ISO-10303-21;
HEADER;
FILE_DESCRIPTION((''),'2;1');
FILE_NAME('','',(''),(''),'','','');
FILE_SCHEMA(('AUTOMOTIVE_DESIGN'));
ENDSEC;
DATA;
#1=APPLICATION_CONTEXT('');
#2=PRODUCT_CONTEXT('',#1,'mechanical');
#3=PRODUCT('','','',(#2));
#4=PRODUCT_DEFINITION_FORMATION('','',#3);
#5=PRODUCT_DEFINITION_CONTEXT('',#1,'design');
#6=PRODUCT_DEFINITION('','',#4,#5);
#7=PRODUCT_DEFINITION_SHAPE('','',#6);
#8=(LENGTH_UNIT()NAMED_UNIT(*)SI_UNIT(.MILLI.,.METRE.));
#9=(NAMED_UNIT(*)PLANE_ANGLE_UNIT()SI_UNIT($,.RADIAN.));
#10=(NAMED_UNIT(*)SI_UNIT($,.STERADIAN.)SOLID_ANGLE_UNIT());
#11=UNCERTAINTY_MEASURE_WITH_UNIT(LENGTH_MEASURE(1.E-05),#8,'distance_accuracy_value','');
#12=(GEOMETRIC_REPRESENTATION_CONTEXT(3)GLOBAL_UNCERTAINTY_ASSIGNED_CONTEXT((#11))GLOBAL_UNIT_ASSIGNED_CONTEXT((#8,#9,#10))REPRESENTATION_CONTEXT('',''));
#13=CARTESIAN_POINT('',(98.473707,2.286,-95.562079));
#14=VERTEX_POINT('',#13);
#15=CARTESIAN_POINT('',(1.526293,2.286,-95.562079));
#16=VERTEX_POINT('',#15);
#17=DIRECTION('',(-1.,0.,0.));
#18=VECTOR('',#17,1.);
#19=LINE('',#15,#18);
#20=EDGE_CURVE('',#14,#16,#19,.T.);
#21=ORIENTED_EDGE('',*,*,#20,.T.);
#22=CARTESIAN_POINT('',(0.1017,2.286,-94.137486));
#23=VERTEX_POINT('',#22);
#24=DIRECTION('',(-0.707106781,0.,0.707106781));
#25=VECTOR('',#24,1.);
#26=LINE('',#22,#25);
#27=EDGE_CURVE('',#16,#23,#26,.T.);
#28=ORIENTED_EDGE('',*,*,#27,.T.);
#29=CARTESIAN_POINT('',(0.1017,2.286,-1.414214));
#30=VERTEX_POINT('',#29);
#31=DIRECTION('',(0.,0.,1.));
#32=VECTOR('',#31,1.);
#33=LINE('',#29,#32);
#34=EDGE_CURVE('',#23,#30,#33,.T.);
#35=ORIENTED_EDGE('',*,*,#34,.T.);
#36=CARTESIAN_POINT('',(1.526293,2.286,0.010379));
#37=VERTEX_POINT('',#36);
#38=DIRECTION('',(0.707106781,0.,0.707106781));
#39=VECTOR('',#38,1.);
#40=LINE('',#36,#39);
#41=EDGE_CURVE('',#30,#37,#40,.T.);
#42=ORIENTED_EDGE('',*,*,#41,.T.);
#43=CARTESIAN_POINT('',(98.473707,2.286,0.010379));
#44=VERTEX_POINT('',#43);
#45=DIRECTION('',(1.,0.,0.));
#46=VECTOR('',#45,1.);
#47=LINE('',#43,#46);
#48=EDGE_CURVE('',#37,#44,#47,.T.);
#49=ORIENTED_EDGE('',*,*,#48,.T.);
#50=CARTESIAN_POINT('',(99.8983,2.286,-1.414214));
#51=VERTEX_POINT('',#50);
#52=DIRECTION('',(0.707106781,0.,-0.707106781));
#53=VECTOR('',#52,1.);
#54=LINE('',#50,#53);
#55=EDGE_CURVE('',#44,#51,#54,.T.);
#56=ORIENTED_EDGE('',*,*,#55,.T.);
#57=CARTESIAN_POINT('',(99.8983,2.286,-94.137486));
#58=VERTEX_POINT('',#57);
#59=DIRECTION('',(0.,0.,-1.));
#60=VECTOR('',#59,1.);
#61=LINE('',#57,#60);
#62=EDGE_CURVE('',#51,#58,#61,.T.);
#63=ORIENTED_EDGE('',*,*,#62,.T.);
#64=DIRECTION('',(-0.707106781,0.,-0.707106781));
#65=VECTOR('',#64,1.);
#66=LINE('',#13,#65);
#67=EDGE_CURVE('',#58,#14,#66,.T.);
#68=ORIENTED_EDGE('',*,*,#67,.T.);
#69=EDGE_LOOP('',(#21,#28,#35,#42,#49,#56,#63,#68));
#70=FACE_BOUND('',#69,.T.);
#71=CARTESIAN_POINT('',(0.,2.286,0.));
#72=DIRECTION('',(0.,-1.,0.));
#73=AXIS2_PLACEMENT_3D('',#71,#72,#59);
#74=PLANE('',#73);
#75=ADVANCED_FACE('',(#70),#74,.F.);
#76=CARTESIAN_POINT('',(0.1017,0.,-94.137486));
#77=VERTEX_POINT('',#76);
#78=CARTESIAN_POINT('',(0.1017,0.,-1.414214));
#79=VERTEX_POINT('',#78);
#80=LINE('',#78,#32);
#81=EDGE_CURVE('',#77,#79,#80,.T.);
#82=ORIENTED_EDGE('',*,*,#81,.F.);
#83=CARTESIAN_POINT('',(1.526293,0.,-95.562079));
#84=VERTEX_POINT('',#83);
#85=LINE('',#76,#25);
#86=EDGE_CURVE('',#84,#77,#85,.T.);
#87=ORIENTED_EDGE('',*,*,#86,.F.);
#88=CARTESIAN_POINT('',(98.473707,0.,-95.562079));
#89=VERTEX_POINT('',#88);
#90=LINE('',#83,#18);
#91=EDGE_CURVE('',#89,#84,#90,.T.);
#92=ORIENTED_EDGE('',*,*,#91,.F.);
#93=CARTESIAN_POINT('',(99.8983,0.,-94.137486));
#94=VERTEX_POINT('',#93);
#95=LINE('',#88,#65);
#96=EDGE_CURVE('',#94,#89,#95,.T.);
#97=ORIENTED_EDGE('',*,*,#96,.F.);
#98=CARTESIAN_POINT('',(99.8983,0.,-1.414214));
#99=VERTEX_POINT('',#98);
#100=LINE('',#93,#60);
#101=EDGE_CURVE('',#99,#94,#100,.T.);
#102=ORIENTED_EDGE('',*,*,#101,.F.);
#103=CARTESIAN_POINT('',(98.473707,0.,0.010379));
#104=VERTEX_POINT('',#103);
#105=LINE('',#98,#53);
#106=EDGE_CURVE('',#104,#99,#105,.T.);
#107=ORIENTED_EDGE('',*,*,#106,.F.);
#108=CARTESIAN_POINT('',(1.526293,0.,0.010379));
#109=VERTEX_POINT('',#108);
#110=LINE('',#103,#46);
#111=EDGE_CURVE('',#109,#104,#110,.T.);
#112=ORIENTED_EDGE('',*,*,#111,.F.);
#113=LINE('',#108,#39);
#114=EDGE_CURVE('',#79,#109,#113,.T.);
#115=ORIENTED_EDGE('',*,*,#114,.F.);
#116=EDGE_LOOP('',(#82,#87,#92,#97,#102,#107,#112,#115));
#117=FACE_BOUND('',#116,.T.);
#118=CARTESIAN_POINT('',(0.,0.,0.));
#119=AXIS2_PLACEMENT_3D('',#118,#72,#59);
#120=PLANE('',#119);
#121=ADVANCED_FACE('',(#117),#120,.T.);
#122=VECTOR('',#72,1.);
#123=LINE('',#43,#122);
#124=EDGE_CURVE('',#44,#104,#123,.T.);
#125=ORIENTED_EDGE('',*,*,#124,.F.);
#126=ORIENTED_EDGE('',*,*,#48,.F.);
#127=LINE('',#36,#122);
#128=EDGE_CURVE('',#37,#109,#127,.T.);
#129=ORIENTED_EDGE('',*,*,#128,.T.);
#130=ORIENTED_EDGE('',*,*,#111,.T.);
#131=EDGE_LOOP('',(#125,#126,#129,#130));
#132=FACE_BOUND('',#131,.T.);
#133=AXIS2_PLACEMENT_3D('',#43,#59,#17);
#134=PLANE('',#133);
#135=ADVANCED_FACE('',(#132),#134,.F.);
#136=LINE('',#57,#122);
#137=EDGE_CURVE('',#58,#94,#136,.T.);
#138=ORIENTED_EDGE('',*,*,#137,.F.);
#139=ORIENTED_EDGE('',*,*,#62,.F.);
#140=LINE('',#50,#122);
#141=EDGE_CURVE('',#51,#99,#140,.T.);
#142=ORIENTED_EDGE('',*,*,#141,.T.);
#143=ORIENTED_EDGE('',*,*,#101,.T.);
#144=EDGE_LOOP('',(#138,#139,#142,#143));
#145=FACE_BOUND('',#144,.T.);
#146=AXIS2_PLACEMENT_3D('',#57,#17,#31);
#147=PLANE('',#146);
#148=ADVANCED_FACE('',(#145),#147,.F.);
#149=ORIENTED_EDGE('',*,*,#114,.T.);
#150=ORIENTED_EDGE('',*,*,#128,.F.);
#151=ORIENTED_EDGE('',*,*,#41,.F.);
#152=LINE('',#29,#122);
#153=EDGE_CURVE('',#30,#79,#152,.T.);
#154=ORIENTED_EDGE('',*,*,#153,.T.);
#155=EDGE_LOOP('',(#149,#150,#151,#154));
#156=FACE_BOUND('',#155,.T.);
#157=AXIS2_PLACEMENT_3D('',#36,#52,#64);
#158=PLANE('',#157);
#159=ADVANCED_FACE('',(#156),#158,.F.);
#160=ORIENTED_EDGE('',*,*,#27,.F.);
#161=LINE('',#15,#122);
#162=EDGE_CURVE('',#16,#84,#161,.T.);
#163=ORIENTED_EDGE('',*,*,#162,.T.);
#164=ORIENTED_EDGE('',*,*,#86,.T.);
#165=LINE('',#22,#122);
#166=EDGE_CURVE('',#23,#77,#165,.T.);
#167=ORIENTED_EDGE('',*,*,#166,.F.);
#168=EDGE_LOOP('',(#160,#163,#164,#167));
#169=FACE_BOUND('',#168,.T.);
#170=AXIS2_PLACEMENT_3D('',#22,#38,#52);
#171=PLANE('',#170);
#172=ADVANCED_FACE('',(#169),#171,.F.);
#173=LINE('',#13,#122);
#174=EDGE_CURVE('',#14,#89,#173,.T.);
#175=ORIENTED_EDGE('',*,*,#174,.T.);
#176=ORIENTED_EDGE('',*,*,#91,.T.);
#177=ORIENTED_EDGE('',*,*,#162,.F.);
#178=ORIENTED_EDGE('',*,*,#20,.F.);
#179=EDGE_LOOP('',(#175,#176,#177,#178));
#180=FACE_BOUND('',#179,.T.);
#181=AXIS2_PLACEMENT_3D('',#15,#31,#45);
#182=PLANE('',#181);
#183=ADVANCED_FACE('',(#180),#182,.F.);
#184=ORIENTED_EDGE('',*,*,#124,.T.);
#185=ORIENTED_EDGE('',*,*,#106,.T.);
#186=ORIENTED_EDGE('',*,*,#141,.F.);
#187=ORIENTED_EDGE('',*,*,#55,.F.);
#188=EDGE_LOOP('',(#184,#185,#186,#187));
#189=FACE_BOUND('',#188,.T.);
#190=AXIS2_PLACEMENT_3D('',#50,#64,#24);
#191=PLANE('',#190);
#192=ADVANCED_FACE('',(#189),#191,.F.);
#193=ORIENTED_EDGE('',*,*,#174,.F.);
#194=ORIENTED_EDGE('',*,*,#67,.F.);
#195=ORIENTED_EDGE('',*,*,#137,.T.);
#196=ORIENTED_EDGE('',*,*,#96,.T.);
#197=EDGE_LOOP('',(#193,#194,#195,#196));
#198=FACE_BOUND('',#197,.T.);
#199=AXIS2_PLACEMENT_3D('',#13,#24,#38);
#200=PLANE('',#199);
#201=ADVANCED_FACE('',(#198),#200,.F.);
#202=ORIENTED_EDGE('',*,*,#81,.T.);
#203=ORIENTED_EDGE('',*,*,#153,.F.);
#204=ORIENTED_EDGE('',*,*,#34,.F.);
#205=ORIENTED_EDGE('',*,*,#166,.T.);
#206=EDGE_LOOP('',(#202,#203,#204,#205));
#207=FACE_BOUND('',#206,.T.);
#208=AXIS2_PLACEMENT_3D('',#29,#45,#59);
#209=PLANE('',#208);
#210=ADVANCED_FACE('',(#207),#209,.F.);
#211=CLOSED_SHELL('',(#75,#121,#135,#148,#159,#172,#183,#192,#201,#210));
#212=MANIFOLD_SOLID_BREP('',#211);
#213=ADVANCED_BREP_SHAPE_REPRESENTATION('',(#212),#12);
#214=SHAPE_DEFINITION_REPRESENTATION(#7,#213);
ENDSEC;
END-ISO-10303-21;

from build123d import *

# Parameters (mm, degrees)
BOSS_EXTRUDE1_DEPTH = 2.286


with BuildPart() as part:
    # Sketch1 → Boss-Extrude1 (new body)
    with BuildSketch(Plane(origin=(0, 0, 0), x_dir=(1, 0, 0), z_dir=(0, 1, 0))):
        Polygon((0.1017, 94.137486438), (1.526292523, 95.562078961), (98.473707477, 95.562078961), (99.8983, 94.137486438), (99.8983, 1.414213562), (98.473707477, -0.010378961), (1.526292523, -0.010378961), (0.1017, 1.414213562), align=None)
    extrude(amount=BOSS_EXTRUDE1_DEPTH)


solid = part.part
